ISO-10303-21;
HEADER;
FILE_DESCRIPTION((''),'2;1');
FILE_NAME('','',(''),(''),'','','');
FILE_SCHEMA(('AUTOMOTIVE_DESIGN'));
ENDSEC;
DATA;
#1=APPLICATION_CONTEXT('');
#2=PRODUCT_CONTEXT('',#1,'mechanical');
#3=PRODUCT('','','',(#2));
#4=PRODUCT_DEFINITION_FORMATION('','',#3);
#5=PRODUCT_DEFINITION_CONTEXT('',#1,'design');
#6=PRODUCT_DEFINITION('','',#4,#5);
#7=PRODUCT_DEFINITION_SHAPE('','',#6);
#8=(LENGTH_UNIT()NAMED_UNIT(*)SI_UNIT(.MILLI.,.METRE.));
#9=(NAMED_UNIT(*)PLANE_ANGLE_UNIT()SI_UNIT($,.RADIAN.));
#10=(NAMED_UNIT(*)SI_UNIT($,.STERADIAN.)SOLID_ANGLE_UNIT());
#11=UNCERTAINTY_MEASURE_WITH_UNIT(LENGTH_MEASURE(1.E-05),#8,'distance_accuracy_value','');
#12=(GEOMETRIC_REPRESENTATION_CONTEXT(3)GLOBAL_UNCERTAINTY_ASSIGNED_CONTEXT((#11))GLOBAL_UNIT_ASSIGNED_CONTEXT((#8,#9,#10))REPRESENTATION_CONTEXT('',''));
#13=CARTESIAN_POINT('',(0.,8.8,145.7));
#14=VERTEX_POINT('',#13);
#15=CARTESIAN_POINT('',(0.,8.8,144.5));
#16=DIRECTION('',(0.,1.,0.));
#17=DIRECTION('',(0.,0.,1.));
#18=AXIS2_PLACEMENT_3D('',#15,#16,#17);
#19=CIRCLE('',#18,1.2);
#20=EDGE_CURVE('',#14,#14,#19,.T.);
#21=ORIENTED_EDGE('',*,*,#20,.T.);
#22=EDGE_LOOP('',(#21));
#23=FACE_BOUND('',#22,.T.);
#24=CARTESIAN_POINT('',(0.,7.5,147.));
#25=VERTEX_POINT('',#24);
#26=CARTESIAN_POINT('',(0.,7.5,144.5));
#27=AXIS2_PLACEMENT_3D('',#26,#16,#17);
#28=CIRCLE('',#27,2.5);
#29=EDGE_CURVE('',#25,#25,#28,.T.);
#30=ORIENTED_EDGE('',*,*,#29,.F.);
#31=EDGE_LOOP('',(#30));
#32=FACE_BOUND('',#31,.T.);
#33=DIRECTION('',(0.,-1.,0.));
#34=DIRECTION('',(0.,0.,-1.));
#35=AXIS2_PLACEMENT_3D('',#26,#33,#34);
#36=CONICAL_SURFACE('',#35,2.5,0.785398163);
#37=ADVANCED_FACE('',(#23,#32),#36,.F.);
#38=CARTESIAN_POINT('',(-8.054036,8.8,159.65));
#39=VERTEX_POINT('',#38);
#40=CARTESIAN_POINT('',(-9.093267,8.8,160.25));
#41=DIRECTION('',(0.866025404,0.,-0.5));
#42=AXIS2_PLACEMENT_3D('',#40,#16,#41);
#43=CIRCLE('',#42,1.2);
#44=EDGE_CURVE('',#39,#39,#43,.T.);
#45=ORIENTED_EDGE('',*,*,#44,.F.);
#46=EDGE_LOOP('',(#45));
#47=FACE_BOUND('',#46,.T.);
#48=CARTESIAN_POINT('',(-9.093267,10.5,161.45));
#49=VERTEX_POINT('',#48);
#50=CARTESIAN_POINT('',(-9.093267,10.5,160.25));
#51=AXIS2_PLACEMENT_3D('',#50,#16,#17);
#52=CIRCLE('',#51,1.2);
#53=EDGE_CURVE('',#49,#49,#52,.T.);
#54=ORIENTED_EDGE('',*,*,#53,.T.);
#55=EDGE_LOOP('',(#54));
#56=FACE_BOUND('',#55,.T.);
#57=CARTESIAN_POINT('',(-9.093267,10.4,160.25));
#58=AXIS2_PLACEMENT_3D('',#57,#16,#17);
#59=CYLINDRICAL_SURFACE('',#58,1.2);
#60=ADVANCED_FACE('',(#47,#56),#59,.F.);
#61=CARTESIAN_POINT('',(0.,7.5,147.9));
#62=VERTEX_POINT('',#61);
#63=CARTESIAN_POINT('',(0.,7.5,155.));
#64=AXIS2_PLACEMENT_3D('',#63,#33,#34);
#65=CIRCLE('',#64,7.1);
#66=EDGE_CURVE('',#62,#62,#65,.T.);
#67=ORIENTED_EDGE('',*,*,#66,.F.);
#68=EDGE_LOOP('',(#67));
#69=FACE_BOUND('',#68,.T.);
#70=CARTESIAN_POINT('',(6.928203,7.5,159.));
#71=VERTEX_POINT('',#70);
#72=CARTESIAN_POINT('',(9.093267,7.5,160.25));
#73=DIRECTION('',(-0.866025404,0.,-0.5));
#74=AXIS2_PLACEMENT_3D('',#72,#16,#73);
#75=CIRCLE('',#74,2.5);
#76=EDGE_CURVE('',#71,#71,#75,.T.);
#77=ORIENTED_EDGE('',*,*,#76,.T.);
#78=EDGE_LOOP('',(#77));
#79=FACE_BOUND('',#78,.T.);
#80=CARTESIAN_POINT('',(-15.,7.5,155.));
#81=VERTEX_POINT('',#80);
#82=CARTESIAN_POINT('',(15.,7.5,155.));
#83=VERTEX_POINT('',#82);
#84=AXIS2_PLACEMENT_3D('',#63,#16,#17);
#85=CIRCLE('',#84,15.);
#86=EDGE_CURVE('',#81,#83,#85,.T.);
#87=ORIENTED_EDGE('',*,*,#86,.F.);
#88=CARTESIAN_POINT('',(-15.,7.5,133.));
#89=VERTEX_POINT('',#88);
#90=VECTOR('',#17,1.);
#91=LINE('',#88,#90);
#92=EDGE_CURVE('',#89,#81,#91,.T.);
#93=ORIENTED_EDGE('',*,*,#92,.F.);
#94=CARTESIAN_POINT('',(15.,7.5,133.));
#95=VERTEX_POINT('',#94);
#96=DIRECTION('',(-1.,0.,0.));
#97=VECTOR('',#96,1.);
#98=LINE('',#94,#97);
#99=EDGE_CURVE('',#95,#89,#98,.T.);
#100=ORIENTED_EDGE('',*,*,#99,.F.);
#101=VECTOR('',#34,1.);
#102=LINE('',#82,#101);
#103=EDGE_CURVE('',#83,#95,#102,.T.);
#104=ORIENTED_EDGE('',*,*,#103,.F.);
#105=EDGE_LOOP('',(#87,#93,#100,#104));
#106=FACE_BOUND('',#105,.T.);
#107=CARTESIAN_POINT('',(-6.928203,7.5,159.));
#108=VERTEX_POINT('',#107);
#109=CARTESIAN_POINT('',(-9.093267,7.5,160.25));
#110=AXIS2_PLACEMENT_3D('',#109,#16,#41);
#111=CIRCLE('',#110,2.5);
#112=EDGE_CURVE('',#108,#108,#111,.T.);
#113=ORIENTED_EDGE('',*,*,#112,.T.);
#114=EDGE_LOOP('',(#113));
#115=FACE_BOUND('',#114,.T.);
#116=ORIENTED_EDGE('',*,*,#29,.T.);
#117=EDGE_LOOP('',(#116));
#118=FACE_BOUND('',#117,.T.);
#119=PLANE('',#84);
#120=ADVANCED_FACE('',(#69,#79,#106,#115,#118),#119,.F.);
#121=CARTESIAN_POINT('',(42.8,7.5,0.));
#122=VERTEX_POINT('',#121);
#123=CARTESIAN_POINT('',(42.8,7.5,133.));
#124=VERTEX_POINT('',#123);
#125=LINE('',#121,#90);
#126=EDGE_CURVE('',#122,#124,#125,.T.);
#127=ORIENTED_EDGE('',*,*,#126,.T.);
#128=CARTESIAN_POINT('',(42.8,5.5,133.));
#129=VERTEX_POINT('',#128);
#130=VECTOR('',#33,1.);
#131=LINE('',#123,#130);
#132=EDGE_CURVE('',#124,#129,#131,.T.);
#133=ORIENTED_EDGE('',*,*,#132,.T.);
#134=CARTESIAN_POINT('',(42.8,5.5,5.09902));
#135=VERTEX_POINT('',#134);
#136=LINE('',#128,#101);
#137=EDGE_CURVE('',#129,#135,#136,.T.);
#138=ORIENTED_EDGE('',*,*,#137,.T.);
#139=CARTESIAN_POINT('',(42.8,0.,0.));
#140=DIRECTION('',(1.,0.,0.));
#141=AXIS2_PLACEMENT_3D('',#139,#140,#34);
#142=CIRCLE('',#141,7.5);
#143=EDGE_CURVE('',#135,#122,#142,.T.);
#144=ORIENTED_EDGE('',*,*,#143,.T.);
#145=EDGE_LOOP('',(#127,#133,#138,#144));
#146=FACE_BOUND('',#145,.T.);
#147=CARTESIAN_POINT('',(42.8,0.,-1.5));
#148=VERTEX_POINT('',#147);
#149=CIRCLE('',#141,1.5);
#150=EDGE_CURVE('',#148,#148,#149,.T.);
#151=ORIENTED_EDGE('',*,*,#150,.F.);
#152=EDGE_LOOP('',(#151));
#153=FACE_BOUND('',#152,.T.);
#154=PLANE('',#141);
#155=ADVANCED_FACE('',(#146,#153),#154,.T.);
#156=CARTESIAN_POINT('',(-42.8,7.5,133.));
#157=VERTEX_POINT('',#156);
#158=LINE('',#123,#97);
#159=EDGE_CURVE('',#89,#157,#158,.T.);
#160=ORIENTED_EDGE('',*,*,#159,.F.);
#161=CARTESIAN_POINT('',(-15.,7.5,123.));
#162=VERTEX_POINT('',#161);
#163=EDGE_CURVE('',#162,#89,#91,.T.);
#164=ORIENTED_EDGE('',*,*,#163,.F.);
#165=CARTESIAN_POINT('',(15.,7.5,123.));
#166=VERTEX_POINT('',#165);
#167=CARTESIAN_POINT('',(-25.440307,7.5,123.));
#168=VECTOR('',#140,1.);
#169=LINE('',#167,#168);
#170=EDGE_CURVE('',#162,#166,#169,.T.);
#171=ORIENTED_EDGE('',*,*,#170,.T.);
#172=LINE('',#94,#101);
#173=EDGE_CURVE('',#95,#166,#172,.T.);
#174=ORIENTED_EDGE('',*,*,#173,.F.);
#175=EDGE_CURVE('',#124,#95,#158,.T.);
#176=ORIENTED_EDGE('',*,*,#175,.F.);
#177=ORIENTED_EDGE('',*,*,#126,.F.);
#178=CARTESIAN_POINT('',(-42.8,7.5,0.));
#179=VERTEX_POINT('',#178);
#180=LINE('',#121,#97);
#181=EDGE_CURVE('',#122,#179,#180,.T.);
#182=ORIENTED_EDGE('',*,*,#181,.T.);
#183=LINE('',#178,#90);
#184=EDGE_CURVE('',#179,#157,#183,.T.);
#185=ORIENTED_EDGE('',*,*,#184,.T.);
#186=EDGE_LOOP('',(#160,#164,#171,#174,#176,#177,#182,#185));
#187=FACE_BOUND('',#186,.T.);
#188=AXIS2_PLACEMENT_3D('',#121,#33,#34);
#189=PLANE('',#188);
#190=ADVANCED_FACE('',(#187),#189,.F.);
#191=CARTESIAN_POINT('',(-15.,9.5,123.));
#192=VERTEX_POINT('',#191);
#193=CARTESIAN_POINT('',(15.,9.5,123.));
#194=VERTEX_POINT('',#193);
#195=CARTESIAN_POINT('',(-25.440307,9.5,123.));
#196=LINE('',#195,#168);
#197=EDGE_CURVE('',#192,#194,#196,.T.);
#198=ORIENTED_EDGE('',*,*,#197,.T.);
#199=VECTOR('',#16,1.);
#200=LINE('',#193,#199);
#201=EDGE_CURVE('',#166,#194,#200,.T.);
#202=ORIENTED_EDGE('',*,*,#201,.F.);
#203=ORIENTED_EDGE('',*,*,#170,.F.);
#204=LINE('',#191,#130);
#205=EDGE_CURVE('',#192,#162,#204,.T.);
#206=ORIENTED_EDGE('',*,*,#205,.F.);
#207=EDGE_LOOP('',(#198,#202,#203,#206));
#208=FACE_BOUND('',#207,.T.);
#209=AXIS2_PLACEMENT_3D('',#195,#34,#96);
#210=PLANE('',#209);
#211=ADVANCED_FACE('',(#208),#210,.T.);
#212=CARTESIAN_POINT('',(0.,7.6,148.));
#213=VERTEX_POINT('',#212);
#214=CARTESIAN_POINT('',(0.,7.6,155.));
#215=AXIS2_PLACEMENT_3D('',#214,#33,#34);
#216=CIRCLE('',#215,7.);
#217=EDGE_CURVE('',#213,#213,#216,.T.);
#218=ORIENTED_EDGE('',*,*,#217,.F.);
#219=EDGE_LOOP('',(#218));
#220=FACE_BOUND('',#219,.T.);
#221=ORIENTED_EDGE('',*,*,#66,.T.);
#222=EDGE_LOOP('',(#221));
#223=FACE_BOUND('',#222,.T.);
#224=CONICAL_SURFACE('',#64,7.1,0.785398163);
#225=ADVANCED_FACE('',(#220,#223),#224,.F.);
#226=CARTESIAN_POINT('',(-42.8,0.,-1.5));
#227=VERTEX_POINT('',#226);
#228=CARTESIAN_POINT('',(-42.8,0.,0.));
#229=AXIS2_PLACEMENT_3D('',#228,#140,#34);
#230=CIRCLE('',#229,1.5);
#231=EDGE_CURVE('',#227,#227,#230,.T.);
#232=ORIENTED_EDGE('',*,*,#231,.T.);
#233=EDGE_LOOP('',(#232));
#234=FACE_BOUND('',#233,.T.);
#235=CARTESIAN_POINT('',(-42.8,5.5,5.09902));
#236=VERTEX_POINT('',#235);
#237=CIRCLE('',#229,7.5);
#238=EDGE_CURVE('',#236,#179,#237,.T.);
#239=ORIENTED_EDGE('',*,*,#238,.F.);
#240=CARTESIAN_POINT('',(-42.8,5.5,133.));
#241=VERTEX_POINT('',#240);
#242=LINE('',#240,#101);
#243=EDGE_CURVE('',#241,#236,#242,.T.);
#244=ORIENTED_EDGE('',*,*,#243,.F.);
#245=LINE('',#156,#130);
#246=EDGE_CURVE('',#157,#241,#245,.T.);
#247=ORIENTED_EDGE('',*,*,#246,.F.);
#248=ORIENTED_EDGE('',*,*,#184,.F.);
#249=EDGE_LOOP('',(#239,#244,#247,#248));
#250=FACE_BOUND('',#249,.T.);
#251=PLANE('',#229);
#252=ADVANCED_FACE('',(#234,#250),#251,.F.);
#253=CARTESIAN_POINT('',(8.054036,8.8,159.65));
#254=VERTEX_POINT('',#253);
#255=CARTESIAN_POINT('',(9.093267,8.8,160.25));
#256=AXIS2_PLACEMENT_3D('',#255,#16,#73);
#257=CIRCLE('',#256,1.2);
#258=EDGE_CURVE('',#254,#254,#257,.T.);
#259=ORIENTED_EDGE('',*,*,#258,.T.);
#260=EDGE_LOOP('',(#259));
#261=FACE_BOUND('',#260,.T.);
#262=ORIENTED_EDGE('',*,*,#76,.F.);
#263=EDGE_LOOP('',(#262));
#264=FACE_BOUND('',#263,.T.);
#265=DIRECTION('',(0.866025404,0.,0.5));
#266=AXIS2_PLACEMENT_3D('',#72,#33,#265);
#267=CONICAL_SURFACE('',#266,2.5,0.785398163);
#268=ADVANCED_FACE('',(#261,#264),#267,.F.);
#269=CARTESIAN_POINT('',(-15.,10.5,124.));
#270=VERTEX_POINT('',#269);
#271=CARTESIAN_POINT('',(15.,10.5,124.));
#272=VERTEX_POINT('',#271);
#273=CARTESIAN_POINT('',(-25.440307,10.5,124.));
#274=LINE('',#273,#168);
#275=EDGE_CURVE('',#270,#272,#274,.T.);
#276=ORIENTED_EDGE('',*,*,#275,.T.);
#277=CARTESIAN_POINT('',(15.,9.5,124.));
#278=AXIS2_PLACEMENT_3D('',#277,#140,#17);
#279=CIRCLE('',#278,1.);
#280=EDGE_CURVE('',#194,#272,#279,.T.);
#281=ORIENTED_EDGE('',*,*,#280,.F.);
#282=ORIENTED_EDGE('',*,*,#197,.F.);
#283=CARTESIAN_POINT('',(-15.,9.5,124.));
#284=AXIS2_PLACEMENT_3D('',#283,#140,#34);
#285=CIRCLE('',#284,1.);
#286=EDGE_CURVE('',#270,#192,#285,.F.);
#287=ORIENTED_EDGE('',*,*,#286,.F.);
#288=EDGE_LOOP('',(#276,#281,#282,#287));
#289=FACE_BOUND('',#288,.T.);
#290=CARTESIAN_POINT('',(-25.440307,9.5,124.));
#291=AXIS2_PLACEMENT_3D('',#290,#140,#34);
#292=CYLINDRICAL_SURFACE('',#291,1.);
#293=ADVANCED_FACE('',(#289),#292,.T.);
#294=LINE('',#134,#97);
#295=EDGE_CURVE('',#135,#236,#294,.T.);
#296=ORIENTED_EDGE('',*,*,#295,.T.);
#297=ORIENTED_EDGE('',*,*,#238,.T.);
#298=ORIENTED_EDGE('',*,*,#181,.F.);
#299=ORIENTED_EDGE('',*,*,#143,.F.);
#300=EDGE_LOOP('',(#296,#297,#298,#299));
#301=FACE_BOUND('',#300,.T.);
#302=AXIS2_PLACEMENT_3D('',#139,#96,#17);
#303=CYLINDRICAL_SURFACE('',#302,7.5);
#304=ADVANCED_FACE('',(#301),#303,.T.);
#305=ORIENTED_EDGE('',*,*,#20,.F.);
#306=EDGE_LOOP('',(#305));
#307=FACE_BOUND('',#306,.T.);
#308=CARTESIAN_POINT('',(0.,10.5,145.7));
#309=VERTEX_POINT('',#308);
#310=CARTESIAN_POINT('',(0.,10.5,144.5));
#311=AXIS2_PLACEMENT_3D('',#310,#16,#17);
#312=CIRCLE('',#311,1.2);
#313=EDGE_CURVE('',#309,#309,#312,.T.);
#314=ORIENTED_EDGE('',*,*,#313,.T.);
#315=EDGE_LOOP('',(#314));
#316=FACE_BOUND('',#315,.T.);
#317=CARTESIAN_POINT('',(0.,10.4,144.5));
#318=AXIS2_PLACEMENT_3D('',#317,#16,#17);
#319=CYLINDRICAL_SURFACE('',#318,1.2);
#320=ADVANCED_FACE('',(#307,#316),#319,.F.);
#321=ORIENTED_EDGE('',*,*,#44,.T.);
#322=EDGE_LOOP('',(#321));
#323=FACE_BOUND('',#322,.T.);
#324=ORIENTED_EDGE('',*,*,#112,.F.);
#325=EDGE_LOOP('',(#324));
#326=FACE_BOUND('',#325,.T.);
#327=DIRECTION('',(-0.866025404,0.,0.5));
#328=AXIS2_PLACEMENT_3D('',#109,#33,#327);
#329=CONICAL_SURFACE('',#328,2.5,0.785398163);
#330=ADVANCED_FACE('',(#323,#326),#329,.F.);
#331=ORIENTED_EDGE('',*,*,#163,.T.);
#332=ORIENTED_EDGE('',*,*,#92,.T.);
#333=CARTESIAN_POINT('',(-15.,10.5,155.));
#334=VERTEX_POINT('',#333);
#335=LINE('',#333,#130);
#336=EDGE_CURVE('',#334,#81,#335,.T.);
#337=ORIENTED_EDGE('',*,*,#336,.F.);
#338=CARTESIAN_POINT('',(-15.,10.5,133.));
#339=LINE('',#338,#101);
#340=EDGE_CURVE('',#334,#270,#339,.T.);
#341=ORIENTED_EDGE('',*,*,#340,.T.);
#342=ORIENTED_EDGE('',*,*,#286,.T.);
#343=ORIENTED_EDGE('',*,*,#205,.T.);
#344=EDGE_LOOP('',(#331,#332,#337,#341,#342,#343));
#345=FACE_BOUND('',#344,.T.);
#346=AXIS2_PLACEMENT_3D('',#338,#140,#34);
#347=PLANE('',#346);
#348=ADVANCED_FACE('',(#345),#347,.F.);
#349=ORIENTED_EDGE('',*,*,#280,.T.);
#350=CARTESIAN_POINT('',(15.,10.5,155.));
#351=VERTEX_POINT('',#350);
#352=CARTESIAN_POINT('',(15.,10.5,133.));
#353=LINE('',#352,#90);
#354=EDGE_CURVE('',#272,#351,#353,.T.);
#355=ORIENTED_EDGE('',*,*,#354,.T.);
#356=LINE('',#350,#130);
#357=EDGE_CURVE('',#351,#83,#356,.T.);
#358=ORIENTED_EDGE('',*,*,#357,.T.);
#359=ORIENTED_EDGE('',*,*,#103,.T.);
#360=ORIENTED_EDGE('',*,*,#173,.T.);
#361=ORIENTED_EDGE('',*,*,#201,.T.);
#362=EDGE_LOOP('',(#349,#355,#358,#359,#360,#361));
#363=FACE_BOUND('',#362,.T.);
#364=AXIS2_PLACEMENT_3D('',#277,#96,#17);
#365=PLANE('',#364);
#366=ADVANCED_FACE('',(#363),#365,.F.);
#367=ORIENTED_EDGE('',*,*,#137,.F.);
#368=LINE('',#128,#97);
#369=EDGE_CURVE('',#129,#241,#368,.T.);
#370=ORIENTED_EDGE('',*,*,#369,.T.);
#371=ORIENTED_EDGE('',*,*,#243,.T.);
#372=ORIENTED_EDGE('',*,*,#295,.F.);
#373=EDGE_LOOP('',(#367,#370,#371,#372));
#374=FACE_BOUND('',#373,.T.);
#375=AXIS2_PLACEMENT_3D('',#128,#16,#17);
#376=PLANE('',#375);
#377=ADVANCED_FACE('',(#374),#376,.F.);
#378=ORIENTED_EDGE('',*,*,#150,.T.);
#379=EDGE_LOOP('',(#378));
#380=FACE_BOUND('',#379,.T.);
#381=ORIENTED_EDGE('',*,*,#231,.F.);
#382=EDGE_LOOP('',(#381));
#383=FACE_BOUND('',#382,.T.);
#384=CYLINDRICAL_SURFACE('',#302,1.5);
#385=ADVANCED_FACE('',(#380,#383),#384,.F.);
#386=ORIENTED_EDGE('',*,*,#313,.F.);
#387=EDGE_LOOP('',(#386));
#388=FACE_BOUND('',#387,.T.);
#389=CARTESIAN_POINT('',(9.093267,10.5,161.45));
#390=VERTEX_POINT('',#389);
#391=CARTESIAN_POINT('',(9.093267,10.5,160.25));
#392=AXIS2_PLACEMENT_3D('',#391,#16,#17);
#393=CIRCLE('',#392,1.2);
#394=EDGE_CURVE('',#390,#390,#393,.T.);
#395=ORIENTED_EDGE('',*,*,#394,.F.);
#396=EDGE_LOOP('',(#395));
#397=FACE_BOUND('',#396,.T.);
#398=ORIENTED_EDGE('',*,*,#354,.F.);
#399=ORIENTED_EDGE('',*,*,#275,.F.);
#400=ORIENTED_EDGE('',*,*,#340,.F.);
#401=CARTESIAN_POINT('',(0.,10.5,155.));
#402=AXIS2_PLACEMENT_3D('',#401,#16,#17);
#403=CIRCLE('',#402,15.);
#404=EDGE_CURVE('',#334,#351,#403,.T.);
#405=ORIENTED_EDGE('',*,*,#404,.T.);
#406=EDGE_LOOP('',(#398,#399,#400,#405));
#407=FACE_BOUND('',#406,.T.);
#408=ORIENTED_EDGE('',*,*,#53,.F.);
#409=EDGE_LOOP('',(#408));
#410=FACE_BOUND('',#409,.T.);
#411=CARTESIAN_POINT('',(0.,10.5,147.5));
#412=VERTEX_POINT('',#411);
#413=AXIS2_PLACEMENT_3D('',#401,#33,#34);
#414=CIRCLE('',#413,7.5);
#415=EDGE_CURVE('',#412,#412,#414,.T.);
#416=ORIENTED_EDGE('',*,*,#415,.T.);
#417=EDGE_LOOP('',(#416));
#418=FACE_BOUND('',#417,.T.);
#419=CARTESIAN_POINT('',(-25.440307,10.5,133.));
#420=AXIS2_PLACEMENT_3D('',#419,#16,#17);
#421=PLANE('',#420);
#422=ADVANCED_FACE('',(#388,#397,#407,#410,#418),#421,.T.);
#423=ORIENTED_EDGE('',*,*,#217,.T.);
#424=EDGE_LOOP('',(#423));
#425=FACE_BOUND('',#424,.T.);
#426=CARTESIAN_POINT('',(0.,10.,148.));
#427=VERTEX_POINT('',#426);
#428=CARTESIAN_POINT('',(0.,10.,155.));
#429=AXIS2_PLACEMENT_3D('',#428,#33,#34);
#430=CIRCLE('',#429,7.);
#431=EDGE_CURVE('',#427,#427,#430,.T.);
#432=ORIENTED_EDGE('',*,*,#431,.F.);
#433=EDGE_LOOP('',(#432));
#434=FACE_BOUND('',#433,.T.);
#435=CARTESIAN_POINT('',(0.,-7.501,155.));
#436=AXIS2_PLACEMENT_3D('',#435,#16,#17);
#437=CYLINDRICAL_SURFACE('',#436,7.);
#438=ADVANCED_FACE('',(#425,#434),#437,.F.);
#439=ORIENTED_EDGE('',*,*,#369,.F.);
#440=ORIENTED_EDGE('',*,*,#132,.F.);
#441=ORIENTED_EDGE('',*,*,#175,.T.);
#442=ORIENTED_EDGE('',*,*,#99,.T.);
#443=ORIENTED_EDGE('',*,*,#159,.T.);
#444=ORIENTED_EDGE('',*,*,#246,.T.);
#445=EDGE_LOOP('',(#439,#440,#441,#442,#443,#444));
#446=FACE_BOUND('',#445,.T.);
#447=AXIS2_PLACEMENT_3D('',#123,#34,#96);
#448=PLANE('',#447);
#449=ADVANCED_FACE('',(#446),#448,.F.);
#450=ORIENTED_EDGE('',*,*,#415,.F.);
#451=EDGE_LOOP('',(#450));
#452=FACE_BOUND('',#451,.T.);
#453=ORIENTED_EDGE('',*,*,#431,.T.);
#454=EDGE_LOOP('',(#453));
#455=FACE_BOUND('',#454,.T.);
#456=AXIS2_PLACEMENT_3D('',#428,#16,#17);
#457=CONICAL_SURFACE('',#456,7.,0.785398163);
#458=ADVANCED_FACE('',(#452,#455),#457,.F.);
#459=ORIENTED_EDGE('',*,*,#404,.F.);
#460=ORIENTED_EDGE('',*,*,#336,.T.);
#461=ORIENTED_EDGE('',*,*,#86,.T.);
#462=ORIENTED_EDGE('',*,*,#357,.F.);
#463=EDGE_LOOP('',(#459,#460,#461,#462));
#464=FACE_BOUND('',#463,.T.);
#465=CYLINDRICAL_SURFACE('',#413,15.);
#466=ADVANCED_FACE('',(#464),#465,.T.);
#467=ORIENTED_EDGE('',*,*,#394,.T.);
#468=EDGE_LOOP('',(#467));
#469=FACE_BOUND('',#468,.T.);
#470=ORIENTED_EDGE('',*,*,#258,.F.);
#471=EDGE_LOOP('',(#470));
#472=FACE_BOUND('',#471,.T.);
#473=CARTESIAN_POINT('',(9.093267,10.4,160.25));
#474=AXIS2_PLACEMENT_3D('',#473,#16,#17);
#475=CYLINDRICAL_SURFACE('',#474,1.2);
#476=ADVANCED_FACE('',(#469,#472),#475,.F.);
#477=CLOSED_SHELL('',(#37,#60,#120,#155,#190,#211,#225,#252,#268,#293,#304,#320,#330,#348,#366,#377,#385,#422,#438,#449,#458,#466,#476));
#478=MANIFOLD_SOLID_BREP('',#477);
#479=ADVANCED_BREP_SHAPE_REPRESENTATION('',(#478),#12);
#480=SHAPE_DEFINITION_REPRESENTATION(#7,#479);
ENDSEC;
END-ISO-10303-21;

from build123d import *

# Parameters (mm, degrees)
SKETCH1_R           = 1.5
BOSS_EXTRUDE1_DEPTH = 42.8
BOSS_EXTRUDE2_DEPTH = 3
BOSS_EXTRUDE3_DEPTH = 30
CUT_EXTRUDE1_REACH  = 178.227
SKETCH4_R           = 7.000000000000002
SKETCH5_R           = 1.200000000000002
SKETCH5_R_2         = 1.199999999999986
SKETCH5_R_3         = 1.2000000000000053
CUT_EXTRUDE2_DEPTH  = 0.1
CIRPATTERN1_COUNT   = 3


with BuildPart() as part:
    # Sketch1 → Boss-Extrude1 (new, symmetric)
    with BuildSketch(Plane(origin=(0, 0, 0), x_dir=(0, 0, -1), z_dir=(1, 0, 0))):
        with BuildLine():
            Line((-9.2e-16, 7.500000000000001), (-133, 7.499999999999983))
            Line((-133, 7.499999999999983), (-133, 5.499999999999983))
            Line((-133, 5.499999999999983), (-5.099019513592791, 5.499999999999995))
            ThreePointArc((-5.099019513592791, 5.499999999999995), (2.738612787525835, -6.982120021884469), (-9.2e-16, 7.500000000000001))
        make_face()
        Circle(SKETCH1_R, mode=Mode.SUBTRACT)
    extrude(amount=BOSS_EXTRUDE1_DEPTH, both=True)



with BuildPart() as body_2:
    # Sketch2 → Boss-Extrude2 (new body)
    with BuildSketch(Plane(origin=(0, 7.500000000000001, 9.8e-16), x_dir=(1, 0, 0), z_dir=(0, 1, 1.3e-16))):
        with BuildLine():
            Line((15.000000000000007, -155), (15.000000000000007, -133))
            Line((15.000000000000007, -133), (-15.000000000000007, -133))
            Line((-15.000000000000007, -133), (-15.000000000000007, -155))
            ThreePointArc((-15.000000000000007, -155), (-2.76e-15, -170), (15.000000000000007, -155))
        make_face()
    extrude(amount=BOSS_EXTRUDE2_DEPTH)


with BuildPart() as part_1:
    add(part.part)

    add(body_2.part)  # Boss-Extrude3 merges body 2
    # Sketch3 → Boss-Extrude3 (add)
    with BuildSketch(Plane(origin=(15.000000000000007, 0, 0), x_dir=(0, 0, -1), z_dir=(1, 0, 0))):
        with BuildLine():
            Line((-133, 10.499999999999984), (-133, 7.499999999999983))
            Line((-133, 7.499999999999983), (-123.00000000000001, 7.500000000000002))
            Line((-123.00000000000001, 7.500000000000002), (-123.00000000000001, 9.499999999999975))
            ThreePointArc((-123.00000000000001, 9.499999999999975), (-123.29289321881346, 10.207106781186528), (-124.00000000000001, 10.499999999999984))
            Line((-124.00000000000001, 10.499999999999984), (-133, 10.499999999999984))
        make_face()
    extrude(amount=-BOSS_EXTRUDE3_DEPTH)

    # Sketch4 → Cut-Extrude1 (cut, up to next)
    with BuildSketch(Plane(origin=(0, 10.499999999999984, 0), x_dir=(1, 0, 0), z_dir=(0, 1, 0)), mode=Mode.PRIVATE) as cut_extrude1_sk1:
        with Locations(Location((0, -155, 0), (0, 0, 270))):
            Circle(SKETCH4_R)
    cut_extrude1_tool1 = extrude(cut_extrude1_sk1.sketch, amount=-CUT_EXTRUDE1_REACH, mode=Mode.PRIVATE) & part_1.part
    add(cut_extrude1_tool1.solids().sort_by_distance((0, 10.5, 155))[0], mode=Mode.SUBTRACT)

    # Sketch5 → Cut-Extrude2 (cut)
    with BuildSketch(Plane(origin=(0, 10.499999999999984, 0), x_dir=(1, 0, 0), z_dir=(0, 1, 0))):
        with Locations(Location((0, -144.5, 0), (0, 0, 270))):
            Circle(SKETCH5_R)
        with Locations(Location((9.093266739737038, -160.24999999999977, 0), (0, 0, 270))):
            Circle(SKETCH5_R_2)
        with Locations(Location((-9.093266739736205, -160.25000000000017, 0), (0, 0, 270))):
            Circle(SKETCH5_R_3)
    extrude(amount=-CUT_EXTRUDE2_DEPTH, mode=Mode.SUBTRACT)

    # Sketch6 → Cut-Revolve1 (revolve, cut)
    with BuildSketch(Plane(origin=(0, 0, 0), x_dir=(0, 0, -1), z_dir=(1, 0, 0)), mode=Mode.PRIVATE) as cut_revolve1_sk:
        Polygon((-144.5, 7.499999999999982), (-142, 7.4999999999999805), (-143.29999999999998, 8.799999999999951), (-143.29999999999998, 9.799999999999965), (-143.29999999999998, 10.499999999999984), (-144.5, 10.499999999999984), align=None)
    cut_revolve1 = revolve(cut_revolve1_sk.sketch.rotate(Axis((0, 10.499999999999984, 144.5), (0, -1, 0)), 180), axis=Axis((0, 10.499999999999984, 144.5), (0, -1, 0)), mode=Mode.SUBTRACT)

    # CirPattern1: Cut-Revolve1 ×3 about axis
    cirpattern1_axis = Axis((-4.63e-15, 0, 155), (0, 1, 0))
    for i in range(1, CIRPATTERN1_COUNT):
        add(cut_revolve1.rotate(cirpattern1_axis, i * 360 / CIRPATTERN1_COUNT), mode=Mode.SUBTRACT)

    # Sketch7 → Cut-Revolve2 (revolve, cut)
    with BuildSketch(Plane(origin=(0, 0, 0), x_dir=(0, 0, -1), z_dir=(1, 0, 0))):
        Polygon((-148, 7.499999999999981), (-147.9, 7.499999999999981), (-148, 7.599999999999977), align=None)
        Polygon((-148, 10.499999999999984), (-147.5, 10.499999999999984), (-148, 9.99999999999998), (-155, 9.99999999999998), (-155, 10.499999999999984), align=None)
    revolve(axis=Axis((0, 7.4999999999999805, 155), (0, 1, 0)), mode=Mode.SUBTRACT)


solid = part_1.part
